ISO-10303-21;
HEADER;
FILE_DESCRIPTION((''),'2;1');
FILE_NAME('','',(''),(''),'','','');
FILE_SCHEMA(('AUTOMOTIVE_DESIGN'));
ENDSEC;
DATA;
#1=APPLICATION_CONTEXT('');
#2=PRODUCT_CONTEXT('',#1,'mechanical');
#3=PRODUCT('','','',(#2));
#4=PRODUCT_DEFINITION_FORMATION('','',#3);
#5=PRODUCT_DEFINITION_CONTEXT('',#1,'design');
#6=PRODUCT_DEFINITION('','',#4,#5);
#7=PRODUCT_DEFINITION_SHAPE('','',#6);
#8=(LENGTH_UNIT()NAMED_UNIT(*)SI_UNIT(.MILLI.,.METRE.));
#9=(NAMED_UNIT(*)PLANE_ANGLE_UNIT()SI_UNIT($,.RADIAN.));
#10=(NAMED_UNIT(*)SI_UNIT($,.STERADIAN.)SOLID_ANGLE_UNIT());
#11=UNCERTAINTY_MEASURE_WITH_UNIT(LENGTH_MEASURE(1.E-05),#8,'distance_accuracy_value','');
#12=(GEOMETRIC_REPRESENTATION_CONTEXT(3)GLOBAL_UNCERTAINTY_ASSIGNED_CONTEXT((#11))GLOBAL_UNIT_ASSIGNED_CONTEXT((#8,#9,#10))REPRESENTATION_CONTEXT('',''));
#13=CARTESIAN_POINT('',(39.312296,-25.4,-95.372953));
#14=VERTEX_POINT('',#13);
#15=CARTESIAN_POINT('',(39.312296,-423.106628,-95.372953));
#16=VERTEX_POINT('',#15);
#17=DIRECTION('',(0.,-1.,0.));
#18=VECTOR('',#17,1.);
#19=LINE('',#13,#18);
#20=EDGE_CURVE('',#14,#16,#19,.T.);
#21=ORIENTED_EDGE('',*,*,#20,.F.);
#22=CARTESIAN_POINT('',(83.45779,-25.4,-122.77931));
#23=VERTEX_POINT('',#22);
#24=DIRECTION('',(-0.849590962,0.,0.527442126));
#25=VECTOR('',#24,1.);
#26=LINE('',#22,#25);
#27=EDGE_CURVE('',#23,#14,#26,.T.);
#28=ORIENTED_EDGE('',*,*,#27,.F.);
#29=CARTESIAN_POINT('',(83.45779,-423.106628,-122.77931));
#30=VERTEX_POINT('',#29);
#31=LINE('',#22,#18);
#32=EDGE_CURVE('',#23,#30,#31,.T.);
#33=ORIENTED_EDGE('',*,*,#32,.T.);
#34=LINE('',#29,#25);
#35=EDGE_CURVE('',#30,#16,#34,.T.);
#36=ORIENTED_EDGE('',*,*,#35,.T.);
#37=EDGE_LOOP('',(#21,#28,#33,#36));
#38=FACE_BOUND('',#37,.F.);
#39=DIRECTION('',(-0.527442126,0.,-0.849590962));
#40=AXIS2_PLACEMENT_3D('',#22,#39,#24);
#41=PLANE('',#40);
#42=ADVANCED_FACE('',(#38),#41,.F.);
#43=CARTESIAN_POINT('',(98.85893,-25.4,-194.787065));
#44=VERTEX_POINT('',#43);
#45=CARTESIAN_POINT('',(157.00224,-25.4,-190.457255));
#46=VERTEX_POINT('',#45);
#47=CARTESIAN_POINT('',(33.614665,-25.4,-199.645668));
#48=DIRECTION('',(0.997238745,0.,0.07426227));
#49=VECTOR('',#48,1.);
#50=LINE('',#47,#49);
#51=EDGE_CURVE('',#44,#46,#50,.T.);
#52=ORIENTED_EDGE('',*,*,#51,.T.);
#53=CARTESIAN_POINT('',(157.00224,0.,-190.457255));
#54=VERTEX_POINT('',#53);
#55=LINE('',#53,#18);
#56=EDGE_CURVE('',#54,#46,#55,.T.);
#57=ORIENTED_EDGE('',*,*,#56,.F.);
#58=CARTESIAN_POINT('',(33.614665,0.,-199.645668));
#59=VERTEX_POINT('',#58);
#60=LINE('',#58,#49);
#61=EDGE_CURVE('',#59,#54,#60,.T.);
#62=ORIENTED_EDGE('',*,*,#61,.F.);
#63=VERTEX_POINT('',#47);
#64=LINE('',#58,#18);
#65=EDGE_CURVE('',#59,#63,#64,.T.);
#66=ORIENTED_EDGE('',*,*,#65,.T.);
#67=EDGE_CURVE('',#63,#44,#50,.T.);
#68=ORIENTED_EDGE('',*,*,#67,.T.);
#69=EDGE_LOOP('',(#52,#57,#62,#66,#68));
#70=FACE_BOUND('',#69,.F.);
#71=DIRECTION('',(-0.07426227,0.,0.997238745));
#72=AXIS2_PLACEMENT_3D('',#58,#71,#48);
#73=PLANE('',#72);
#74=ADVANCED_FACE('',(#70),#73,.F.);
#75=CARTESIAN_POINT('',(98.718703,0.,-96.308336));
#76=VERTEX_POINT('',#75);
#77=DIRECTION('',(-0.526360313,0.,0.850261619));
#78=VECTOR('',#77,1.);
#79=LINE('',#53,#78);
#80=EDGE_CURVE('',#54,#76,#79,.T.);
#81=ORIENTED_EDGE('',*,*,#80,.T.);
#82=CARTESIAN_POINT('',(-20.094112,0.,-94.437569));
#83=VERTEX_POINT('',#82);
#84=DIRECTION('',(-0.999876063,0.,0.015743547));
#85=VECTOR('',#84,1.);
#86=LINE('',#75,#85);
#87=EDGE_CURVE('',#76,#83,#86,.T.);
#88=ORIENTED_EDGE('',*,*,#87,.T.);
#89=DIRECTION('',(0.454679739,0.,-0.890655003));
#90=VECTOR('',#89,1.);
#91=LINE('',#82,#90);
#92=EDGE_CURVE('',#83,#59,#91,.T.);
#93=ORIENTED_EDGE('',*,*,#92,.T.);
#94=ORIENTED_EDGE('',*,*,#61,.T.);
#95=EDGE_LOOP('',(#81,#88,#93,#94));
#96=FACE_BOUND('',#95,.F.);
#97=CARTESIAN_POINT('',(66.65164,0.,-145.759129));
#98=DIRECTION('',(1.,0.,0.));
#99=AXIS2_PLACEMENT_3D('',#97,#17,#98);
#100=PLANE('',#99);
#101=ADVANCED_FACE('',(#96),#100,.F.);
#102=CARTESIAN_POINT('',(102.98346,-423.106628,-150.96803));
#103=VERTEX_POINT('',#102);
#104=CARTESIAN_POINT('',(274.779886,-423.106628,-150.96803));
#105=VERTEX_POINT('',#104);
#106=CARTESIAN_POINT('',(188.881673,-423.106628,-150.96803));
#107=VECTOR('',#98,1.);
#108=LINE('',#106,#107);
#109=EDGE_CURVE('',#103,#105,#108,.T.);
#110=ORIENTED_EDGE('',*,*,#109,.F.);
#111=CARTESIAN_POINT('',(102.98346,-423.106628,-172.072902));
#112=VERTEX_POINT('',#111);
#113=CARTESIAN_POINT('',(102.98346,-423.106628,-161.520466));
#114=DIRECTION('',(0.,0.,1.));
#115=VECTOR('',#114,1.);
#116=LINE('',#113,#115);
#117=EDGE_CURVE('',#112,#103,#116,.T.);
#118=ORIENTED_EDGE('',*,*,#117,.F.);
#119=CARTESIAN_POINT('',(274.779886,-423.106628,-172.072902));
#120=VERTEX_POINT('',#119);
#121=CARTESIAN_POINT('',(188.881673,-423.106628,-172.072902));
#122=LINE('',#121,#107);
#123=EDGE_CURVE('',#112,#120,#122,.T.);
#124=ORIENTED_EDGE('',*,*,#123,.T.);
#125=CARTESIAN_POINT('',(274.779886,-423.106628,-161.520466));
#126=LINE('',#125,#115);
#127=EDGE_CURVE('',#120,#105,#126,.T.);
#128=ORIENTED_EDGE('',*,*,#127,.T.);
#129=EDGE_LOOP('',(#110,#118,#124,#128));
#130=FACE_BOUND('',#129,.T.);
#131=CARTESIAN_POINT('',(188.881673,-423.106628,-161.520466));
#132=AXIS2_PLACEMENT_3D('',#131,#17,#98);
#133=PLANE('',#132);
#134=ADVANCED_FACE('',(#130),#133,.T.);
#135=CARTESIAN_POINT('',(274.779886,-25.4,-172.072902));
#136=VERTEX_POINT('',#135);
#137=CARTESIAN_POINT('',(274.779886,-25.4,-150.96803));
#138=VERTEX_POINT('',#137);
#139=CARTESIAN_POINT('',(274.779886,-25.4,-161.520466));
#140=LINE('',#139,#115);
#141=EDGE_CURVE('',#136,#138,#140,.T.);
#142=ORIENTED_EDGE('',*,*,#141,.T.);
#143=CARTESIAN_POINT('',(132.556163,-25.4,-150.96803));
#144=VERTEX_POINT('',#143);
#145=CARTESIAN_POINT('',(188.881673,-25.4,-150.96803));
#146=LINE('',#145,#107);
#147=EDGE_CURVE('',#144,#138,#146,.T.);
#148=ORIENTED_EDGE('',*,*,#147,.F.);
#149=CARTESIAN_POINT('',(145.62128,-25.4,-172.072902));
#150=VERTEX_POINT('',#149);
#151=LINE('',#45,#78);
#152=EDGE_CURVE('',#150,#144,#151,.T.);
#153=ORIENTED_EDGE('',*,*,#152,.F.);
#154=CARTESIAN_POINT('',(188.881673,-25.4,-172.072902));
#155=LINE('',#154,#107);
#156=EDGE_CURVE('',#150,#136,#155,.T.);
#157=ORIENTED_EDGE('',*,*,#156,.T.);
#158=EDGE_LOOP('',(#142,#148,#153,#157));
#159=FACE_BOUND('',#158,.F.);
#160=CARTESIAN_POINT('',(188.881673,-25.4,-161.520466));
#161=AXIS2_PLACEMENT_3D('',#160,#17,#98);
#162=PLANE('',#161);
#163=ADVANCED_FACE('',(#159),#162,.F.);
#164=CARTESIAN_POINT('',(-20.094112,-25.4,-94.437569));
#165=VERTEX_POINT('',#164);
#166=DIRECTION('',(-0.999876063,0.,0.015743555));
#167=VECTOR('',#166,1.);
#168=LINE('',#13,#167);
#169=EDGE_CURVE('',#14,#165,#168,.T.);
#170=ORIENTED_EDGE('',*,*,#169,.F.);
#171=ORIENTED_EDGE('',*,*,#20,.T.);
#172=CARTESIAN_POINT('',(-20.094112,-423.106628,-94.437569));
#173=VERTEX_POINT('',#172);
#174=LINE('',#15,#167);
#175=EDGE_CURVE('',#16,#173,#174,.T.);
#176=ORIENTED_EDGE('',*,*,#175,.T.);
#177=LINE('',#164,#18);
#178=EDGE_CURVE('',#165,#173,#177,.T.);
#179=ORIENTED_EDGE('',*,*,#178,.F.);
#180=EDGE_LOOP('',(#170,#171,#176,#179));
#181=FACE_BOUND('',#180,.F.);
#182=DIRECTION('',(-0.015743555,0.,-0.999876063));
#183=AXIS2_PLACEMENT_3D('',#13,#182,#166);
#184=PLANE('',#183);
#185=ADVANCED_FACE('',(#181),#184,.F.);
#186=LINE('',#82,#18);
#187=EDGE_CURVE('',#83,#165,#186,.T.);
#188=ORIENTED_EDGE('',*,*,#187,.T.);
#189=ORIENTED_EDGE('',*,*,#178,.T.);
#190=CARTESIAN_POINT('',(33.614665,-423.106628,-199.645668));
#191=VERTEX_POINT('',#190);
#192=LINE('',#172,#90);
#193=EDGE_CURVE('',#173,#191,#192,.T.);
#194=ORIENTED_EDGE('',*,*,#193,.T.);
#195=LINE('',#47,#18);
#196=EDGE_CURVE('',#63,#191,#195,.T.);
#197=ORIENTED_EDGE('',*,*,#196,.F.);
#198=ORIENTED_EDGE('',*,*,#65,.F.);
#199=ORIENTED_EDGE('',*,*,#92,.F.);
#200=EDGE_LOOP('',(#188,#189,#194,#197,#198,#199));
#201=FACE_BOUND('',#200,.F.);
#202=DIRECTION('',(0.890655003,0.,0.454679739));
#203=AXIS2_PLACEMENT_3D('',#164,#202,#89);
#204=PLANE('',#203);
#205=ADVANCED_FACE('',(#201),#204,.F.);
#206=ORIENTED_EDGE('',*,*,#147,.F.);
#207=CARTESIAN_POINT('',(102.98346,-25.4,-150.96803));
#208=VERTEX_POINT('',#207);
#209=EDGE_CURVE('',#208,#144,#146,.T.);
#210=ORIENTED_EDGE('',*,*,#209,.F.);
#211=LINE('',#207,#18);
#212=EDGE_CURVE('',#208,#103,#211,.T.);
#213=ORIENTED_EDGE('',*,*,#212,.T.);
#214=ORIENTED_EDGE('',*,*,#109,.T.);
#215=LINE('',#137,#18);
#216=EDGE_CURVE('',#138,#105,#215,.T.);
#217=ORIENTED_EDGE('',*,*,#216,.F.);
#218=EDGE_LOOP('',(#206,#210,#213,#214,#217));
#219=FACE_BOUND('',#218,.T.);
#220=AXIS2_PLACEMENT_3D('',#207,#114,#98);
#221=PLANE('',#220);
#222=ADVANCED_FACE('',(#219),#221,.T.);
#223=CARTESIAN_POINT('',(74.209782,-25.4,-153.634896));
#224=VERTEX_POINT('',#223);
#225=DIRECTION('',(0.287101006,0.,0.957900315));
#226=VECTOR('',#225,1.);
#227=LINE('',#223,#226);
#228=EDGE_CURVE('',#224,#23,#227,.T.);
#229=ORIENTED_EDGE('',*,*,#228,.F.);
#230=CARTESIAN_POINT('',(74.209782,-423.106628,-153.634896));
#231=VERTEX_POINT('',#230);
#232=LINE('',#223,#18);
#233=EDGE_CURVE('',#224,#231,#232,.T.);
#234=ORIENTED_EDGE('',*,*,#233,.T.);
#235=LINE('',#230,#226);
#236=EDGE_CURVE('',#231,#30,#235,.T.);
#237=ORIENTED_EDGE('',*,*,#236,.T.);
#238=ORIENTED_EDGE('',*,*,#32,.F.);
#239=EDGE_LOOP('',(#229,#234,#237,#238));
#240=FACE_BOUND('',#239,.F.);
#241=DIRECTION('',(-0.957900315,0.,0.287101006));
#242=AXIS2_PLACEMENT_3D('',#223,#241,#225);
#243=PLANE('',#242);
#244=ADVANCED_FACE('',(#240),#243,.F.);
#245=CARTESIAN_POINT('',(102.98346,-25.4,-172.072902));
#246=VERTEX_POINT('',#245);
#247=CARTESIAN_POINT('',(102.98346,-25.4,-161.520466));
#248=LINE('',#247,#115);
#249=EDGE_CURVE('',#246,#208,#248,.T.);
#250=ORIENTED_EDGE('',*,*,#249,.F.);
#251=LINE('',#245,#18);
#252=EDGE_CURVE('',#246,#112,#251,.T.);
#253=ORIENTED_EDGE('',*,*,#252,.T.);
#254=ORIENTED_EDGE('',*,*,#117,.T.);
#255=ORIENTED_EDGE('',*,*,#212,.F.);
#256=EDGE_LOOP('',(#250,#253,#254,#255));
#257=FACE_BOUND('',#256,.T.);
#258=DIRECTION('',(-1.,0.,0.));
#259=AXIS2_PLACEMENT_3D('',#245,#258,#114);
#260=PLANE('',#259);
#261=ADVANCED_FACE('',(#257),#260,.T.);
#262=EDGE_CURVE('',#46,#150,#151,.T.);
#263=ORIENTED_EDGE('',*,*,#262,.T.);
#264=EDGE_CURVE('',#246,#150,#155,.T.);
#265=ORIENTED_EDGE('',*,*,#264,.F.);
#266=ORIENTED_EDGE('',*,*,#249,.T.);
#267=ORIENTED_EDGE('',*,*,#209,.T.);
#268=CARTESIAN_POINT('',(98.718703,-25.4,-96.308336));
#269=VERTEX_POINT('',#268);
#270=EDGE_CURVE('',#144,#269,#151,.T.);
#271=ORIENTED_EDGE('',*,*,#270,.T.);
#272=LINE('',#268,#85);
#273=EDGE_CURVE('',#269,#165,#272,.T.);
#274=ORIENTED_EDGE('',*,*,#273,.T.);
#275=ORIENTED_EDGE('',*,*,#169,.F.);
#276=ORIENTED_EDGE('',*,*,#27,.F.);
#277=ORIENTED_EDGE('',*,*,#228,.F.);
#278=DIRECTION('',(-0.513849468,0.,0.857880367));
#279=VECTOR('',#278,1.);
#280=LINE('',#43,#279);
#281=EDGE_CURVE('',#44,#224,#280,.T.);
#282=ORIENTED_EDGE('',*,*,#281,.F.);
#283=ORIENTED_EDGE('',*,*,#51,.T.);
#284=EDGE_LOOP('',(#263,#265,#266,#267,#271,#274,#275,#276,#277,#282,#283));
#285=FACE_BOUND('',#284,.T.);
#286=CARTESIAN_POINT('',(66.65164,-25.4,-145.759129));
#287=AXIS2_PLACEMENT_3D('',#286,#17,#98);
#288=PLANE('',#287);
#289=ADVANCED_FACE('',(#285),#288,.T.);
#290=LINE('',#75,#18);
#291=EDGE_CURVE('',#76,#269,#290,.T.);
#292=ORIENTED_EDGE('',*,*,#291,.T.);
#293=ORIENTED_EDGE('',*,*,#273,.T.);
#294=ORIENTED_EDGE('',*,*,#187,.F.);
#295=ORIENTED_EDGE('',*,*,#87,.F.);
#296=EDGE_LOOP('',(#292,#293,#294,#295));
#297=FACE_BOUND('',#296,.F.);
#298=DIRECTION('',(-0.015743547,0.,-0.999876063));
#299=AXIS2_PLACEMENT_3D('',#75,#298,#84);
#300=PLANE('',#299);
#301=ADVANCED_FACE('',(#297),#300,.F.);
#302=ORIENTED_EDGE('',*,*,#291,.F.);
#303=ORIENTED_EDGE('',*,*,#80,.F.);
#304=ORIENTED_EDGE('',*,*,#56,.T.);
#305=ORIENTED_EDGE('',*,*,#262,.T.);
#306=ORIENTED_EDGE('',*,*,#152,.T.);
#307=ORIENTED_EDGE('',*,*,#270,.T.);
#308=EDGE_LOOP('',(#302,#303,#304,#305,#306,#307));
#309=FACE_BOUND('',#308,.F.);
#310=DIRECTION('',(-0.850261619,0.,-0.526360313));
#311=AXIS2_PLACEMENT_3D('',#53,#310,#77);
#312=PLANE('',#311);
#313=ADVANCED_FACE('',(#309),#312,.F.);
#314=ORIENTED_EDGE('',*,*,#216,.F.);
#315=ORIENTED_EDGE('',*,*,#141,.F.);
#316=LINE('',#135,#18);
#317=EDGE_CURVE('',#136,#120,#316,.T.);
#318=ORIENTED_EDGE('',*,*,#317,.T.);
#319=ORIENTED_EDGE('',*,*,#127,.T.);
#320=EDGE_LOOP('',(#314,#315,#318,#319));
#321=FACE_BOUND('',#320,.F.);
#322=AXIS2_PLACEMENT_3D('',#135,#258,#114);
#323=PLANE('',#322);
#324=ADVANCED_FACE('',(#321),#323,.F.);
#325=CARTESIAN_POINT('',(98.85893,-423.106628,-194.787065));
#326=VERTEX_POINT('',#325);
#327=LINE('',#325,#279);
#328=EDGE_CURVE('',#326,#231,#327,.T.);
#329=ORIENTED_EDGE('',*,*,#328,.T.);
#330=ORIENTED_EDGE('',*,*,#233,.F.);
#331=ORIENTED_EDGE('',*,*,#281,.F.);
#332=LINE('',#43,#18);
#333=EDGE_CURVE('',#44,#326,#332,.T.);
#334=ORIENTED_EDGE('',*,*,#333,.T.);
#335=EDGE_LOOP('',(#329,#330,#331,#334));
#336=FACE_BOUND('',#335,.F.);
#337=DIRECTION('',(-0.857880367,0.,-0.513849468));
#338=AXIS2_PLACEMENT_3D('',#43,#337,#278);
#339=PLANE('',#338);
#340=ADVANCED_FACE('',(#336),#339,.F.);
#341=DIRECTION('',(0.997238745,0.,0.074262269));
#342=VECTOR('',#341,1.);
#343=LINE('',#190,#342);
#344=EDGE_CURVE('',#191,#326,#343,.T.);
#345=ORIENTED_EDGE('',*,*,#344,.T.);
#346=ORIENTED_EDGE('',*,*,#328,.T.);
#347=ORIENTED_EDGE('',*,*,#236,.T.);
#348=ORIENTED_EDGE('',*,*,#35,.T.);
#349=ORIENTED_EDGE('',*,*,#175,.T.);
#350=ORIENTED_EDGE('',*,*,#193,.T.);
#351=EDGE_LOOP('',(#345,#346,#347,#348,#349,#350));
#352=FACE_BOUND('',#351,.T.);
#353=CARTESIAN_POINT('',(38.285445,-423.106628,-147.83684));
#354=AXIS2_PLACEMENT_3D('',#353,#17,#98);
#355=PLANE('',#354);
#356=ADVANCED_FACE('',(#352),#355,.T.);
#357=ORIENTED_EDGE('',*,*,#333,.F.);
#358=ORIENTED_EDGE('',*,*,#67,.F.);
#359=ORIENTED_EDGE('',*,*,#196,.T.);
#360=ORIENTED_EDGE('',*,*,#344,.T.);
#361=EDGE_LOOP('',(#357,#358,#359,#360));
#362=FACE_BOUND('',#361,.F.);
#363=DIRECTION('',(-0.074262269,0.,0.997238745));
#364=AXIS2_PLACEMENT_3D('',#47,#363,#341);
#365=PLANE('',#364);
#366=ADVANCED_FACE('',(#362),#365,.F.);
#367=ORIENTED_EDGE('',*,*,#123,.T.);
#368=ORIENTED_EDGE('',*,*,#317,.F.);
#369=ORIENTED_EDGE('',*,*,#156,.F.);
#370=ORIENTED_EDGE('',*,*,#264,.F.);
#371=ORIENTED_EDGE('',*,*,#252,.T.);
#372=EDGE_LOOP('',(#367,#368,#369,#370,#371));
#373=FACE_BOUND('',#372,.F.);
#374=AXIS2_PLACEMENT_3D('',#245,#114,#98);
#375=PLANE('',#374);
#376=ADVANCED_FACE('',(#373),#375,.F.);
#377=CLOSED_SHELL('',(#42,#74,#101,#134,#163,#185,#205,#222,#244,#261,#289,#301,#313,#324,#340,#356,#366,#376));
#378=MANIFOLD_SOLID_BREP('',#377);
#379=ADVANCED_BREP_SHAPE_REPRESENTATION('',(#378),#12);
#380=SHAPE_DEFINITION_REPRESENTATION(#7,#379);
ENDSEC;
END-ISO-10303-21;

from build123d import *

# Parameters (mm, degrees)
F1_DEPTH = 25.4
F2_W     = 171.796426
F2_H     = 21.104872
F3_DEPTH = 397.706628


with BuildPart() as f1:
    # F0 (on Front) → F1 (new body)
    with BuildSketch(Plane.XZ):
        Polygon((157.00224, -190.457255), (98.718703, -96.308336), (-20.094112, -94.437569), (33.614665, -199.645668), align=None)
    extrude(amount=F1_DEPTH)

    # F2 (on face) → F3 (join)
    with BuildSketch(Plane.XZ.offset(25.4)):
        Polygon((33.614665, -199.645668), (98.85893, -194.787065), (69.085613, -170.73147), (74.209782, -153.634896), (39.312296, -95.372953), (-20.094112, -94.437569), align=None)
        Polygon((69.085613, -170.73147), (98.85893, -194.787065), (74.209782, -153.634896), align=None)
        Polygon((39.312296, -95.372953), (74.209782, -153.634896), (83.45779, -122.77931), align=None)
        with Locations((188.881673, -161.520466)):
            Rectangle(F2_W, F2_H)
    extrude(amount=F3_DEPTH)


solid = f1.part
